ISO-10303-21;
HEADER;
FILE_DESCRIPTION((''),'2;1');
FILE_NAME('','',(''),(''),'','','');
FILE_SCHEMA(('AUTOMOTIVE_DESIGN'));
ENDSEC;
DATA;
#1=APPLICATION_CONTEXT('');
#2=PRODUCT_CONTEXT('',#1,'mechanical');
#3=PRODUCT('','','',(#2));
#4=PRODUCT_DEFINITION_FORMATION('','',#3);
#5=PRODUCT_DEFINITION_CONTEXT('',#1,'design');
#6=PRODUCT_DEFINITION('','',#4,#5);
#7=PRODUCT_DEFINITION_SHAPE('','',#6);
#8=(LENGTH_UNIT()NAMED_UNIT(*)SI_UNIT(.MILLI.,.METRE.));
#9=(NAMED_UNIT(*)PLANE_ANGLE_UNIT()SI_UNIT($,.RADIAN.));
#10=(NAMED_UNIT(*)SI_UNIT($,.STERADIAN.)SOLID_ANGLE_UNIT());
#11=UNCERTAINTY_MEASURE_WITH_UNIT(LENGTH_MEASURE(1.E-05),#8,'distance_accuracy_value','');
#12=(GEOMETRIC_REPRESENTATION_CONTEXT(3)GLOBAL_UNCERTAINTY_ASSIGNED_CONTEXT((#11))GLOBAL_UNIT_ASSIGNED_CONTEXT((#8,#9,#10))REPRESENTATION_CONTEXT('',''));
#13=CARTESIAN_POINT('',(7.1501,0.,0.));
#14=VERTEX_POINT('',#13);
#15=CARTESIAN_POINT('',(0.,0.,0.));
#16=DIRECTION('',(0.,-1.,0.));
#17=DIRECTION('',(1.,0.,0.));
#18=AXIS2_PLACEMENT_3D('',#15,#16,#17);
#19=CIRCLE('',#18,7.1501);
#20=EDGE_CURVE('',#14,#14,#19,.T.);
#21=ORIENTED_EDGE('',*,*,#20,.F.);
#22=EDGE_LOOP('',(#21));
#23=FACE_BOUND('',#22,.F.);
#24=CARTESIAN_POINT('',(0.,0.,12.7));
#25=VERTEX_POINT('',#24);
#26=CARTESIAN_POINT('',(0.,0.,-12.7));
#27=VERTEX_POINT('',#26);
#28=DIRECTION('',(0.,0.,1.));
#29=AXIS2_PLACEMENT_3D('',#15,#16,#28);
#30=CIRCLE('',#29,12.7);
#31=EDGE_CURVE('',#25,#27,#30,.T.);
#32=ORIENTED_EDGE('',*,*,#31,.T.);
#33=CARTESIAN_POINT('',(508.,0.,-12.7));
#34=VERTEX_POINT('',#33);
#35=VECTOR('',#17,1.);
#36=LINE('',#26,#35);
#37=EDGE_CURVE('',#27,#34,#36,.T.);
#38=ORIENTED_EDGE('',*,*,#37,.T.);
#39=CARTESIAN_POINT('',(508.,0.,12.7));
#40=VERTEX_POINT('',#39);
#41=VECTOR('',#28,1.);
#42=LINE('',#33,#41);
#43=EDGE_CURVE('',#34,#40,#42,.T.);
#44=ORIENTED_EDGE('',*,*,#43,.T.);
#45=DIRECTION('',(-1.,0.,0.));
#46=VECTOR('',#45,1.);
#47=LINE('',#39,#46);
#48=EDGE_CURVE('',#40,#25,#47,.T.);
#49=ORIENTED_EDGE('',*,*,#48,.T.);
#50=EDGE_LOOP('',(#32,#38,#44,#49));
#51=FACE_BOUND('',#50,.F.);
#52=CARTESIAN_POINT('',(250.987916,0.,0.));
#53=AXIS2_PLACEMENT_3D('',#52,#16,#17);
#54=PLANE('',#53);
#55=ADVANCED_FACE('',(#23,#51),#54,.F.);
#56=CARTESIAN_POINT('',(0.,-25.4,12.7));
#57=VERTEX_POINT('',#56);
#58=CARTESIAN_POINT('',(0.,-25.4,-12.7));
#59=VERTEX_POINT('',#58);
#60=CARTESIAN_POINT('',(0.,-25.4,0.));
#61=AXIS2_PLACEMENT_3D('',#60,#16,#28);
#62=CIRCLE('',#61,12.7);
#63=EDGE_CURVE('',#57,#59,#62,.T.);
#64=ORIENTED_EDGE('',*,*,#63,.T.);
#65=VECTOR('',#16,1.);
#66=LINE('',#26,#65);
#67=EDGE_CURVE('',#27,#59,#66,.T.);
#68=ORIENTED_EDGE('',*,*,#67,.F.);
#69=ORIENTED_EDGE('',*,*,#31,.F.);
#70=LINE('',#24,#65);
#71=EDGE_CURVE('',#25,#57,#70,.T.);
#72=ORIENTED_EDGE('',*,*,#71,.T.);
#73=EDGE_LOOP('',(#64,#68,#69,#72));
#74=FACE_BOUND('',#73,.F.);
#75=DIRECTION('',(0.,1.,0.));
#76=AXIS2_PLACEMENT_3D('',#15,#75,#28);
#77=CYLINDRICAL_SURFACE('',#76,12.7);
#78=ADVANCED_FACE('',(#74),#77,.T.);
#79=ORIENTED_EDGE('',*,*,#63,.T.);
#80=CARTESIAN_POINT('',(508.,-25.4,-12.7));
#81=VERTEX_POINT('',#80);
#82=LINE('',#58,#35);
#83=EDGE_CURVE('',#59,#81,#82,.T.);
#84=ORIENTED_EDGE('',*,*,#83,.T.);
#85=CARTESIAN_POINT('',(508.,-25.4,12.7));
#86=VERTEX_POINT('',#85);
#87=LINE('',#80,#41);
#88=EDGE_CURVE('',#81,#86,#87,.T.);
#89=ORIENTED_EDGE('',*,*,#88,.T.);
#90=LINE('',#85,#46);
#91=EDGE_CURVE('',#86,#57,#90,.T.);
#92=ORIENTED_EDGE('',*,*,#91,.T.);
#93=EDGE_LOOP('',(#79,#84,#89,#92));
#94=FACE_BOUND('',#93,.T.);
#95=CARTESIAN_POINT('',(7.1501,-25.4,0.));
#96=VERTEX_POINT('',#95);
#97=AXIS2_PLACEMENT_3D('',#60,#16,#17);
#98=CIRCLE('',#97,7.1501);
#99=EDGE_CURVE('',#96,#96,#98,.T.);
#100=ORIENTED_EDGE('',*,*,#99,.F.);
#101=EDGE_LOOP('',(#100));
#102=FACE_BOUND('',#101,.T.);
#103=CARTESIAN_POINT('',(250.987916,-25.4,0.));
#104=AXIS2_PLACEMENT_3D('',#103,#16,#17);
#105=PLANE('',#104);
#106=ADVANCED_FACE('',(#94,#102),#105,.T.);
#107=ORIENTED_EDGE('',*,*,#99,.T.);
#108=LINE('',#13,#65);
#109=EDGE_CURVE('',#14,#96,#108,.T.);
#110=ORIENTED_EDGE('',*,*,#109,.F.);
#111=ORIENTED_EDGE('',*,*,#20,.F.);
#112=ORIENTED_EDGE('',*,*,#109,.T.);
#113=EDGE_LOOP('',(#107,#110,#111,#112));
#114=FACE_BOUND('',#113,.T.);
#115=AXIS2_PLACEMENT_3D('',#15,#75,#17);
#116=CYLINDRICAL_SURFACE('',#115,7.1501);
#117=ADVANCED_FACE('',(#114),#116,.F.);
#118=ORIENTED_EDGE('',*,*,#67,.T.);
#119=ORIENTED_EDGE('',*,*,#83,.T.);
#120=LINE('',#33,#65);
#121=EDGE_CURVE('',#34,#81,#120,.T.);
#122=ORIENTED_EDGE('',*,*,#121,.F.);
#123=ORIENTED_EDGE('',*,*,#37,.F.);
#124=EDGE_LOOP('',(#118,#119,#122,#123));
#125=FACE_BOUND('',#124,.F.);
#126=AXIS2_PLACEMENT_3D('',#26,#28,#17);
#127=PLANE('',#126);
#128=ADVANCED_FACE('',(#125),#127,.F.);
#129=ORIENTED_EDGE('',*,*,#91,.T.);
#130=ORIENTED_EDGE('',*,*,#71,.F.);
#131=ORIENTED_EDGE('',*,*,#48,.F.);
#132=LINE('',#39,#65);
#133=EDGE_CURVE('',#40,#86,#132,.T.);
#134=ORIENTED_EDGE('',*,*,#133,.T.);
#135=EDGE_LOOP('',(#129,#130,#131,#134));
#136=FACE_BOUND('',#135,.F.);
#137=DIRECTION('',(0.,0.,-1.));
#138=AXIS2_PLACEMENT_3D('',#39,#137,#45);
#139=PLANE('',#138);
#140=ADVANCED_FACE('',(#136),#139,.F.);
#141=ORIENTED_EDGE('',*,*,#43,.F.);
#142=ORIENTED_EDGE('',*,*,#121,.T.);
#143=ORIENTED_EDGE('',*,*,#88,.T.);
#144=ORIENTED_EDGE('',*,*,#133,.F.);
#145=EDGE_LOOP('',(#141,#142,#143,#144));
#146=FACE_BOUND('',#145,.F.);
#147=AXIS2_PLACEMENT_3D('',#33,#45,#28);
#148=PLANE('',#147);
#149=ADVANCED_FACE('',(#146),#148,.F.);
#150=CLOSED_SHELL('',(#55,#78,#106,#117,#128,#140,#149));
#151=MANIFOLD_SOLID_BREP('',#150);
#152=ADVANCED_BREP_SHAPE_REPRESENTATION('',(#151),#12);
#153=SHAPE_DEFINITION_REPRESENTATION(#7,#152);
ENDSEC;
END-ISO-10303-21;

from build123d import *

# Parameters (mm, degrees)
F0_R     = 7.1501
F1_DEPTH = 25.4


with BuildPart() as f1:
    # F0 (on Front) → F1 (new body)
    with BuildSketch(Plane.XZ):
        with BuildLine():
            ThreePointArc((0, 12.7), (8.980256, 8.980256), (12.7, 0))
            ThreePointArc((12.7, 0), (8.980256, -8.980256), (0, -12.7))
            Line((0, -12.7), (508, -12.7))
            Line((508, -12.7), (508, 12.7))
            Line((508, 12.7), (0, 12.7))
        make_face()
        with BuildLine():
            ThreePointArc((0, -12.7), (8.980256, -8.980256), (12.7, 0))
            ThreePointArc((12.7, 0), (8.980256, 8.980256), (0, 12.7))
            ThreePointArc((0, 12.7), (-12.7, 0), (0, -12.7))
        make_face()
        Circle(F0_R, mode=Mode.SUBTRACT)
    extrude(amount=F1_DEPTH)


solid = f1.part
